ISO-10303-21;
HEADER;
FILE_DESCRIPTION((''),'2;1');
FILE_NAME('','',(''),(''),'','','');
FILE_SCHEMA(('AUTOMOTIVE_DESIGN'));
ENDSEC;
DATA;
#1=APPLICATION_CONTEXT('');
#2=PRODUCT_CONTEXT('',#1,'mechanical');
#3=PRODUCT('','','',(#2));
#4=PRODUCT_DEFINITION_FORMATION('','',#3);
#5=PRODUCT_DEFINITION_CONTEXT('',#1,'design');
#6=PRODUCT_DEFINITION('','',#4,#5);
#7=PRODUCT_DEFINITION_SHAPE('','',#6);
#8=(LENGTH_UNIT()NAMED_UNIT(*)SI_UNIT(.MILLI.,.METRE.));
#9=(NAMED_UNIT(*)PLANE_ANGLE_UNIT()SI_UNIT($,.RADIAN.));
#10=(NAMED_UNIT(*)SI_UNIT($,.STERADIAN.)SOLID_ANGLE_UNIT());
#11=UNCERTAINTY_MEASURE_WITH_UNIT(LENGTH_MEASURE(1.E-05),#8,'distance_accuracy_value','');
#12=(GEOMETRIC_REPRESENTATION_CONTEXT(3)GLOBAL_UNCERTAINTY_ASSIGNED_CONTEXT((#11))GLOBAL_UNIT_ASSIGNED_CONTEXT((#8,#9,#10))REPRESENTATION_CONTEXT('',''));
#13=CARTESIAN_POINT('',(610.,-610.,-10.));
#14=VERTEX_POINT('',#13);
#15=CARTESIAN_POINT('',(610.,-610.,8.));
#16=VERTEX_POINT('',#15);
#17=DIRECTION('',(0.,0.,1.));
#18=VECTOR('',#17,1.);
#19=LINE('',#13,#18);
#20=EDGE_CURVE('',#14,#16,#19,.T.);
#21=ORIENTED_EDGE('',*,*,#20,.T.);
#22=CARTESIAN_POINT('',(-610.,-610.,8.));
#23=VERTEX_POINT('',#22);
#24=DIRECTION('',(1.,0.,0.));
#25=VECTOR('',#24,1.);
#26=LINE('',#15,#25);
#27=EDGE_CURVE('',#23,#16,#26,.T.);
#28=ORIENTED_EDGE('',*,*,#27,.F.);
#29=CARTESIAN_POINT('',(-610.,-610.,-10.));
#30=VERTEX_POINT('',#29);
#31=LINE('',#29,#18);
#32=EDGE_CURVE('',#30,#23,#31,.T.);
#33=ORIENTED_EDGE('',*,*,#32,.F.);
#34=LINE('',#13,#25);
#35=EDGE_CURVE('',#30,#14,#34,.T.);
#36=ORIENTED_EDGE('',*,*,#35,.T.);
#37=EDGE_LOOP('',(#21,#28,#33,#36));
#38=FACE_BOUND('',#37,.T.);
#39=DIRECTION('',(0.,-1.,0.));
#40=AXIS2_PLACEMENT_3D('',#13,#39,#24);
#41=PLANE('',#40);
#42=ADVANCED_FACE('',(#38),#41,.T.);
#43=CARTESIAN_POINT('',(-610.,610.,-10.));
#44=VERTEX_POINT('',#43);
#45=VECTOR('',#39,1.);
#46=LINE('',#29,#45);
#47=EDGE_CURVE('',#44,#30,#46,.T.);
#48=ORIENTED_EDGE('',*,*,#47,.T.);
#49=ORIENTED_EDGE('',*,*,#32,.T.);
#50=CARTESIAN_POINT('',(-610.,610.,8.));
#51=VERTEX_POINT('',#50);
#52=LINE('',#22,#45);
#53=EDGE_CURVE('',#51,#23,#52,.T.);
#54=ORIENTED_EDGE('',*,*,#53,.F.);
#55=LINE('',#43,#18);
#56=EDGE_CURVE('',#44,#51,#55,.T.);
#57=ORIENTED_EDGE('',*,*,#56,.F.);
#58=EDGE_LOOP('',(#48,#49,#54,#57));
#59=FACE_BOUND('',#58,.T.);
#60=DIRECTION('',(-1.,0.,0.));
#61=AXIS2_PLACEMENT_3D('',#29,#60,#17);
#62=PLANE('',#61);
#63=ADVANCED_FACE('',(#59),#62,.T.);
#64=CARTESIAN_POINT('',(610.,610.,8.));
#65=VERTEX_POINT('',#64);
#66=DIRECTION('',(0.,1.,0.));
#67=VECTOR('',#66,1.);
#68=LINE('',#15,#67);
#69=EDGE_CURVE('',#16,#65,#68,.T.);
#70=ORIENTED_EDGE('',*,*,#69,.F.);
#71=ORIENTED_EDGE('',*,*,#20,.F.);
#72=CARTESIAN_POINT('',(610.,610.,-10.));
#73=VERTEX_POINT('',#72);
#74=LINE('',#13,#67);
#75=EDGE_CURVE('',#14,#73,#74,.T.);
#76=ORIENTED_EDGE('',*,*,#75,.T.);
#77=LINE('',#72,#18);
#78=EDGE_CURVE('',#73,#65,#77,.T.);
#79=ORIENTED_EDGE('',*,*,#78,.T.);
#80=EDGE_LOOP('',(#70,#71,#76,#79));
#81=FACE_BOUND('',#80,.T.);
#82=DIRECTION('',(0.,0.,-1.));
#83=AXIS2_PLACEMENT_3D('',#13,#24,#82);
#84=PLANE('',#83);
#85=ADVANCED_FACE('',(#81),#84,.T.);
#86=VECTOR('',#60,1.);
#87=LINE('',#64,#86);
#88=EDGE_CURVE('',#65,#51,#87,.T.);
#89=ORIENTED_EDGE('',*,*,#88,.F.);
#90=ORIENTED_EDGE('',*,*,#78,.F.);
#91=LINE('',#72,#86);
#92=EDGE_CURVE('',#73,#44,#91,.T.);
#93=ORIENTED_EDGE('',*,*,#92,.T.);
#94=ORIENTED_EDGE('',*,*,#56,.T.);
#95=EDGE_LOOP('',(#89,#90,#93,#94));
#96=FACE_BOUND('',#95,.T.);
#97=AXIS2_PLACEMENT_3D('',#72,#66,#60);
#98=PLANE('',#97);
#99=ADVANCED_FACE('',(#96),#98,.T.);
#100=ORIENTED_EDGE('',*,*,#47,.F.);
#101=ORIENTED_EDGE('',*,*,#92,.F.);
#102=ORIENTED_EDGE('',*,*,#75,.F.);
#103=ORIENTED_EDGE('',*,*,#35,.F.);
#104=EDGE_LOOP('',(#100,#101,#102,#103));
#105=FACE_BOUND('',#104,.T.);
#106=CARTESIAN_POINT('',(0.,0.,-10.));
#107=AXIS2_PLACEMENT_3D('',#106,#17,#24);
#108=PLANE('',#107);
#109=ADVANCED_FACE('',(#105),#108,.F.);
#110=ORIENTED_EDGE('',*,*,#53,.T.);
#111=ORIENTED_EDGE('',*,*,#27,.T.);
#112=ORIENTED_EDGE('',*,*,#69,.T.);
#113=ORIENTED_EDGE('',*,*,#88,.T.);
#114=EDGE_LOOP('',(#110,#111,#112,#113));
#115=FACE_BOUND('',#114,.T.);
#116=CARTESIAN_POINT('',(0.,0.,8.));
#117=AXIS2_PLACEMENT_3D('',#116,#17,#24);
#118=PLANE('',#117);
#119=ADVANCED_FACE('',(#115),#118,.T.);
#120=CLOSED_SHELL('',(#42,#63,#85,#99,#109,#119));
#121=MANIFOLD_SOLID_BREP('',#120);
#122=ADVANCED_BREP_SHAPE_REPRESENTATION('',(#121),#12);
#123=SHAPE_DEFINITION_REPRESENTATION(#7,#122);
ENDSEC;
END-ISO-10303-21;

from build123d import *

# Parameters (mm, degrees)
BOSS_EXTRUDE1_START = 8
SKETCH1_W           = 1220
SKETCH1_H           = 1220
BOSS_EXTRUDE1_DEPTH = 18


with BuildPart() as part:
    # Sketch1 → Boss-Extrude1 (new body)
    with BuildSketch(Plane.XY.offset(BOSS_EXTRUDE1_START)):
        Rectangle(SKETCH1_W, SKETCH1_H)
    extrude(amount=-BOSS_EXTRUDE1_DEPTH)


solid = part.part
